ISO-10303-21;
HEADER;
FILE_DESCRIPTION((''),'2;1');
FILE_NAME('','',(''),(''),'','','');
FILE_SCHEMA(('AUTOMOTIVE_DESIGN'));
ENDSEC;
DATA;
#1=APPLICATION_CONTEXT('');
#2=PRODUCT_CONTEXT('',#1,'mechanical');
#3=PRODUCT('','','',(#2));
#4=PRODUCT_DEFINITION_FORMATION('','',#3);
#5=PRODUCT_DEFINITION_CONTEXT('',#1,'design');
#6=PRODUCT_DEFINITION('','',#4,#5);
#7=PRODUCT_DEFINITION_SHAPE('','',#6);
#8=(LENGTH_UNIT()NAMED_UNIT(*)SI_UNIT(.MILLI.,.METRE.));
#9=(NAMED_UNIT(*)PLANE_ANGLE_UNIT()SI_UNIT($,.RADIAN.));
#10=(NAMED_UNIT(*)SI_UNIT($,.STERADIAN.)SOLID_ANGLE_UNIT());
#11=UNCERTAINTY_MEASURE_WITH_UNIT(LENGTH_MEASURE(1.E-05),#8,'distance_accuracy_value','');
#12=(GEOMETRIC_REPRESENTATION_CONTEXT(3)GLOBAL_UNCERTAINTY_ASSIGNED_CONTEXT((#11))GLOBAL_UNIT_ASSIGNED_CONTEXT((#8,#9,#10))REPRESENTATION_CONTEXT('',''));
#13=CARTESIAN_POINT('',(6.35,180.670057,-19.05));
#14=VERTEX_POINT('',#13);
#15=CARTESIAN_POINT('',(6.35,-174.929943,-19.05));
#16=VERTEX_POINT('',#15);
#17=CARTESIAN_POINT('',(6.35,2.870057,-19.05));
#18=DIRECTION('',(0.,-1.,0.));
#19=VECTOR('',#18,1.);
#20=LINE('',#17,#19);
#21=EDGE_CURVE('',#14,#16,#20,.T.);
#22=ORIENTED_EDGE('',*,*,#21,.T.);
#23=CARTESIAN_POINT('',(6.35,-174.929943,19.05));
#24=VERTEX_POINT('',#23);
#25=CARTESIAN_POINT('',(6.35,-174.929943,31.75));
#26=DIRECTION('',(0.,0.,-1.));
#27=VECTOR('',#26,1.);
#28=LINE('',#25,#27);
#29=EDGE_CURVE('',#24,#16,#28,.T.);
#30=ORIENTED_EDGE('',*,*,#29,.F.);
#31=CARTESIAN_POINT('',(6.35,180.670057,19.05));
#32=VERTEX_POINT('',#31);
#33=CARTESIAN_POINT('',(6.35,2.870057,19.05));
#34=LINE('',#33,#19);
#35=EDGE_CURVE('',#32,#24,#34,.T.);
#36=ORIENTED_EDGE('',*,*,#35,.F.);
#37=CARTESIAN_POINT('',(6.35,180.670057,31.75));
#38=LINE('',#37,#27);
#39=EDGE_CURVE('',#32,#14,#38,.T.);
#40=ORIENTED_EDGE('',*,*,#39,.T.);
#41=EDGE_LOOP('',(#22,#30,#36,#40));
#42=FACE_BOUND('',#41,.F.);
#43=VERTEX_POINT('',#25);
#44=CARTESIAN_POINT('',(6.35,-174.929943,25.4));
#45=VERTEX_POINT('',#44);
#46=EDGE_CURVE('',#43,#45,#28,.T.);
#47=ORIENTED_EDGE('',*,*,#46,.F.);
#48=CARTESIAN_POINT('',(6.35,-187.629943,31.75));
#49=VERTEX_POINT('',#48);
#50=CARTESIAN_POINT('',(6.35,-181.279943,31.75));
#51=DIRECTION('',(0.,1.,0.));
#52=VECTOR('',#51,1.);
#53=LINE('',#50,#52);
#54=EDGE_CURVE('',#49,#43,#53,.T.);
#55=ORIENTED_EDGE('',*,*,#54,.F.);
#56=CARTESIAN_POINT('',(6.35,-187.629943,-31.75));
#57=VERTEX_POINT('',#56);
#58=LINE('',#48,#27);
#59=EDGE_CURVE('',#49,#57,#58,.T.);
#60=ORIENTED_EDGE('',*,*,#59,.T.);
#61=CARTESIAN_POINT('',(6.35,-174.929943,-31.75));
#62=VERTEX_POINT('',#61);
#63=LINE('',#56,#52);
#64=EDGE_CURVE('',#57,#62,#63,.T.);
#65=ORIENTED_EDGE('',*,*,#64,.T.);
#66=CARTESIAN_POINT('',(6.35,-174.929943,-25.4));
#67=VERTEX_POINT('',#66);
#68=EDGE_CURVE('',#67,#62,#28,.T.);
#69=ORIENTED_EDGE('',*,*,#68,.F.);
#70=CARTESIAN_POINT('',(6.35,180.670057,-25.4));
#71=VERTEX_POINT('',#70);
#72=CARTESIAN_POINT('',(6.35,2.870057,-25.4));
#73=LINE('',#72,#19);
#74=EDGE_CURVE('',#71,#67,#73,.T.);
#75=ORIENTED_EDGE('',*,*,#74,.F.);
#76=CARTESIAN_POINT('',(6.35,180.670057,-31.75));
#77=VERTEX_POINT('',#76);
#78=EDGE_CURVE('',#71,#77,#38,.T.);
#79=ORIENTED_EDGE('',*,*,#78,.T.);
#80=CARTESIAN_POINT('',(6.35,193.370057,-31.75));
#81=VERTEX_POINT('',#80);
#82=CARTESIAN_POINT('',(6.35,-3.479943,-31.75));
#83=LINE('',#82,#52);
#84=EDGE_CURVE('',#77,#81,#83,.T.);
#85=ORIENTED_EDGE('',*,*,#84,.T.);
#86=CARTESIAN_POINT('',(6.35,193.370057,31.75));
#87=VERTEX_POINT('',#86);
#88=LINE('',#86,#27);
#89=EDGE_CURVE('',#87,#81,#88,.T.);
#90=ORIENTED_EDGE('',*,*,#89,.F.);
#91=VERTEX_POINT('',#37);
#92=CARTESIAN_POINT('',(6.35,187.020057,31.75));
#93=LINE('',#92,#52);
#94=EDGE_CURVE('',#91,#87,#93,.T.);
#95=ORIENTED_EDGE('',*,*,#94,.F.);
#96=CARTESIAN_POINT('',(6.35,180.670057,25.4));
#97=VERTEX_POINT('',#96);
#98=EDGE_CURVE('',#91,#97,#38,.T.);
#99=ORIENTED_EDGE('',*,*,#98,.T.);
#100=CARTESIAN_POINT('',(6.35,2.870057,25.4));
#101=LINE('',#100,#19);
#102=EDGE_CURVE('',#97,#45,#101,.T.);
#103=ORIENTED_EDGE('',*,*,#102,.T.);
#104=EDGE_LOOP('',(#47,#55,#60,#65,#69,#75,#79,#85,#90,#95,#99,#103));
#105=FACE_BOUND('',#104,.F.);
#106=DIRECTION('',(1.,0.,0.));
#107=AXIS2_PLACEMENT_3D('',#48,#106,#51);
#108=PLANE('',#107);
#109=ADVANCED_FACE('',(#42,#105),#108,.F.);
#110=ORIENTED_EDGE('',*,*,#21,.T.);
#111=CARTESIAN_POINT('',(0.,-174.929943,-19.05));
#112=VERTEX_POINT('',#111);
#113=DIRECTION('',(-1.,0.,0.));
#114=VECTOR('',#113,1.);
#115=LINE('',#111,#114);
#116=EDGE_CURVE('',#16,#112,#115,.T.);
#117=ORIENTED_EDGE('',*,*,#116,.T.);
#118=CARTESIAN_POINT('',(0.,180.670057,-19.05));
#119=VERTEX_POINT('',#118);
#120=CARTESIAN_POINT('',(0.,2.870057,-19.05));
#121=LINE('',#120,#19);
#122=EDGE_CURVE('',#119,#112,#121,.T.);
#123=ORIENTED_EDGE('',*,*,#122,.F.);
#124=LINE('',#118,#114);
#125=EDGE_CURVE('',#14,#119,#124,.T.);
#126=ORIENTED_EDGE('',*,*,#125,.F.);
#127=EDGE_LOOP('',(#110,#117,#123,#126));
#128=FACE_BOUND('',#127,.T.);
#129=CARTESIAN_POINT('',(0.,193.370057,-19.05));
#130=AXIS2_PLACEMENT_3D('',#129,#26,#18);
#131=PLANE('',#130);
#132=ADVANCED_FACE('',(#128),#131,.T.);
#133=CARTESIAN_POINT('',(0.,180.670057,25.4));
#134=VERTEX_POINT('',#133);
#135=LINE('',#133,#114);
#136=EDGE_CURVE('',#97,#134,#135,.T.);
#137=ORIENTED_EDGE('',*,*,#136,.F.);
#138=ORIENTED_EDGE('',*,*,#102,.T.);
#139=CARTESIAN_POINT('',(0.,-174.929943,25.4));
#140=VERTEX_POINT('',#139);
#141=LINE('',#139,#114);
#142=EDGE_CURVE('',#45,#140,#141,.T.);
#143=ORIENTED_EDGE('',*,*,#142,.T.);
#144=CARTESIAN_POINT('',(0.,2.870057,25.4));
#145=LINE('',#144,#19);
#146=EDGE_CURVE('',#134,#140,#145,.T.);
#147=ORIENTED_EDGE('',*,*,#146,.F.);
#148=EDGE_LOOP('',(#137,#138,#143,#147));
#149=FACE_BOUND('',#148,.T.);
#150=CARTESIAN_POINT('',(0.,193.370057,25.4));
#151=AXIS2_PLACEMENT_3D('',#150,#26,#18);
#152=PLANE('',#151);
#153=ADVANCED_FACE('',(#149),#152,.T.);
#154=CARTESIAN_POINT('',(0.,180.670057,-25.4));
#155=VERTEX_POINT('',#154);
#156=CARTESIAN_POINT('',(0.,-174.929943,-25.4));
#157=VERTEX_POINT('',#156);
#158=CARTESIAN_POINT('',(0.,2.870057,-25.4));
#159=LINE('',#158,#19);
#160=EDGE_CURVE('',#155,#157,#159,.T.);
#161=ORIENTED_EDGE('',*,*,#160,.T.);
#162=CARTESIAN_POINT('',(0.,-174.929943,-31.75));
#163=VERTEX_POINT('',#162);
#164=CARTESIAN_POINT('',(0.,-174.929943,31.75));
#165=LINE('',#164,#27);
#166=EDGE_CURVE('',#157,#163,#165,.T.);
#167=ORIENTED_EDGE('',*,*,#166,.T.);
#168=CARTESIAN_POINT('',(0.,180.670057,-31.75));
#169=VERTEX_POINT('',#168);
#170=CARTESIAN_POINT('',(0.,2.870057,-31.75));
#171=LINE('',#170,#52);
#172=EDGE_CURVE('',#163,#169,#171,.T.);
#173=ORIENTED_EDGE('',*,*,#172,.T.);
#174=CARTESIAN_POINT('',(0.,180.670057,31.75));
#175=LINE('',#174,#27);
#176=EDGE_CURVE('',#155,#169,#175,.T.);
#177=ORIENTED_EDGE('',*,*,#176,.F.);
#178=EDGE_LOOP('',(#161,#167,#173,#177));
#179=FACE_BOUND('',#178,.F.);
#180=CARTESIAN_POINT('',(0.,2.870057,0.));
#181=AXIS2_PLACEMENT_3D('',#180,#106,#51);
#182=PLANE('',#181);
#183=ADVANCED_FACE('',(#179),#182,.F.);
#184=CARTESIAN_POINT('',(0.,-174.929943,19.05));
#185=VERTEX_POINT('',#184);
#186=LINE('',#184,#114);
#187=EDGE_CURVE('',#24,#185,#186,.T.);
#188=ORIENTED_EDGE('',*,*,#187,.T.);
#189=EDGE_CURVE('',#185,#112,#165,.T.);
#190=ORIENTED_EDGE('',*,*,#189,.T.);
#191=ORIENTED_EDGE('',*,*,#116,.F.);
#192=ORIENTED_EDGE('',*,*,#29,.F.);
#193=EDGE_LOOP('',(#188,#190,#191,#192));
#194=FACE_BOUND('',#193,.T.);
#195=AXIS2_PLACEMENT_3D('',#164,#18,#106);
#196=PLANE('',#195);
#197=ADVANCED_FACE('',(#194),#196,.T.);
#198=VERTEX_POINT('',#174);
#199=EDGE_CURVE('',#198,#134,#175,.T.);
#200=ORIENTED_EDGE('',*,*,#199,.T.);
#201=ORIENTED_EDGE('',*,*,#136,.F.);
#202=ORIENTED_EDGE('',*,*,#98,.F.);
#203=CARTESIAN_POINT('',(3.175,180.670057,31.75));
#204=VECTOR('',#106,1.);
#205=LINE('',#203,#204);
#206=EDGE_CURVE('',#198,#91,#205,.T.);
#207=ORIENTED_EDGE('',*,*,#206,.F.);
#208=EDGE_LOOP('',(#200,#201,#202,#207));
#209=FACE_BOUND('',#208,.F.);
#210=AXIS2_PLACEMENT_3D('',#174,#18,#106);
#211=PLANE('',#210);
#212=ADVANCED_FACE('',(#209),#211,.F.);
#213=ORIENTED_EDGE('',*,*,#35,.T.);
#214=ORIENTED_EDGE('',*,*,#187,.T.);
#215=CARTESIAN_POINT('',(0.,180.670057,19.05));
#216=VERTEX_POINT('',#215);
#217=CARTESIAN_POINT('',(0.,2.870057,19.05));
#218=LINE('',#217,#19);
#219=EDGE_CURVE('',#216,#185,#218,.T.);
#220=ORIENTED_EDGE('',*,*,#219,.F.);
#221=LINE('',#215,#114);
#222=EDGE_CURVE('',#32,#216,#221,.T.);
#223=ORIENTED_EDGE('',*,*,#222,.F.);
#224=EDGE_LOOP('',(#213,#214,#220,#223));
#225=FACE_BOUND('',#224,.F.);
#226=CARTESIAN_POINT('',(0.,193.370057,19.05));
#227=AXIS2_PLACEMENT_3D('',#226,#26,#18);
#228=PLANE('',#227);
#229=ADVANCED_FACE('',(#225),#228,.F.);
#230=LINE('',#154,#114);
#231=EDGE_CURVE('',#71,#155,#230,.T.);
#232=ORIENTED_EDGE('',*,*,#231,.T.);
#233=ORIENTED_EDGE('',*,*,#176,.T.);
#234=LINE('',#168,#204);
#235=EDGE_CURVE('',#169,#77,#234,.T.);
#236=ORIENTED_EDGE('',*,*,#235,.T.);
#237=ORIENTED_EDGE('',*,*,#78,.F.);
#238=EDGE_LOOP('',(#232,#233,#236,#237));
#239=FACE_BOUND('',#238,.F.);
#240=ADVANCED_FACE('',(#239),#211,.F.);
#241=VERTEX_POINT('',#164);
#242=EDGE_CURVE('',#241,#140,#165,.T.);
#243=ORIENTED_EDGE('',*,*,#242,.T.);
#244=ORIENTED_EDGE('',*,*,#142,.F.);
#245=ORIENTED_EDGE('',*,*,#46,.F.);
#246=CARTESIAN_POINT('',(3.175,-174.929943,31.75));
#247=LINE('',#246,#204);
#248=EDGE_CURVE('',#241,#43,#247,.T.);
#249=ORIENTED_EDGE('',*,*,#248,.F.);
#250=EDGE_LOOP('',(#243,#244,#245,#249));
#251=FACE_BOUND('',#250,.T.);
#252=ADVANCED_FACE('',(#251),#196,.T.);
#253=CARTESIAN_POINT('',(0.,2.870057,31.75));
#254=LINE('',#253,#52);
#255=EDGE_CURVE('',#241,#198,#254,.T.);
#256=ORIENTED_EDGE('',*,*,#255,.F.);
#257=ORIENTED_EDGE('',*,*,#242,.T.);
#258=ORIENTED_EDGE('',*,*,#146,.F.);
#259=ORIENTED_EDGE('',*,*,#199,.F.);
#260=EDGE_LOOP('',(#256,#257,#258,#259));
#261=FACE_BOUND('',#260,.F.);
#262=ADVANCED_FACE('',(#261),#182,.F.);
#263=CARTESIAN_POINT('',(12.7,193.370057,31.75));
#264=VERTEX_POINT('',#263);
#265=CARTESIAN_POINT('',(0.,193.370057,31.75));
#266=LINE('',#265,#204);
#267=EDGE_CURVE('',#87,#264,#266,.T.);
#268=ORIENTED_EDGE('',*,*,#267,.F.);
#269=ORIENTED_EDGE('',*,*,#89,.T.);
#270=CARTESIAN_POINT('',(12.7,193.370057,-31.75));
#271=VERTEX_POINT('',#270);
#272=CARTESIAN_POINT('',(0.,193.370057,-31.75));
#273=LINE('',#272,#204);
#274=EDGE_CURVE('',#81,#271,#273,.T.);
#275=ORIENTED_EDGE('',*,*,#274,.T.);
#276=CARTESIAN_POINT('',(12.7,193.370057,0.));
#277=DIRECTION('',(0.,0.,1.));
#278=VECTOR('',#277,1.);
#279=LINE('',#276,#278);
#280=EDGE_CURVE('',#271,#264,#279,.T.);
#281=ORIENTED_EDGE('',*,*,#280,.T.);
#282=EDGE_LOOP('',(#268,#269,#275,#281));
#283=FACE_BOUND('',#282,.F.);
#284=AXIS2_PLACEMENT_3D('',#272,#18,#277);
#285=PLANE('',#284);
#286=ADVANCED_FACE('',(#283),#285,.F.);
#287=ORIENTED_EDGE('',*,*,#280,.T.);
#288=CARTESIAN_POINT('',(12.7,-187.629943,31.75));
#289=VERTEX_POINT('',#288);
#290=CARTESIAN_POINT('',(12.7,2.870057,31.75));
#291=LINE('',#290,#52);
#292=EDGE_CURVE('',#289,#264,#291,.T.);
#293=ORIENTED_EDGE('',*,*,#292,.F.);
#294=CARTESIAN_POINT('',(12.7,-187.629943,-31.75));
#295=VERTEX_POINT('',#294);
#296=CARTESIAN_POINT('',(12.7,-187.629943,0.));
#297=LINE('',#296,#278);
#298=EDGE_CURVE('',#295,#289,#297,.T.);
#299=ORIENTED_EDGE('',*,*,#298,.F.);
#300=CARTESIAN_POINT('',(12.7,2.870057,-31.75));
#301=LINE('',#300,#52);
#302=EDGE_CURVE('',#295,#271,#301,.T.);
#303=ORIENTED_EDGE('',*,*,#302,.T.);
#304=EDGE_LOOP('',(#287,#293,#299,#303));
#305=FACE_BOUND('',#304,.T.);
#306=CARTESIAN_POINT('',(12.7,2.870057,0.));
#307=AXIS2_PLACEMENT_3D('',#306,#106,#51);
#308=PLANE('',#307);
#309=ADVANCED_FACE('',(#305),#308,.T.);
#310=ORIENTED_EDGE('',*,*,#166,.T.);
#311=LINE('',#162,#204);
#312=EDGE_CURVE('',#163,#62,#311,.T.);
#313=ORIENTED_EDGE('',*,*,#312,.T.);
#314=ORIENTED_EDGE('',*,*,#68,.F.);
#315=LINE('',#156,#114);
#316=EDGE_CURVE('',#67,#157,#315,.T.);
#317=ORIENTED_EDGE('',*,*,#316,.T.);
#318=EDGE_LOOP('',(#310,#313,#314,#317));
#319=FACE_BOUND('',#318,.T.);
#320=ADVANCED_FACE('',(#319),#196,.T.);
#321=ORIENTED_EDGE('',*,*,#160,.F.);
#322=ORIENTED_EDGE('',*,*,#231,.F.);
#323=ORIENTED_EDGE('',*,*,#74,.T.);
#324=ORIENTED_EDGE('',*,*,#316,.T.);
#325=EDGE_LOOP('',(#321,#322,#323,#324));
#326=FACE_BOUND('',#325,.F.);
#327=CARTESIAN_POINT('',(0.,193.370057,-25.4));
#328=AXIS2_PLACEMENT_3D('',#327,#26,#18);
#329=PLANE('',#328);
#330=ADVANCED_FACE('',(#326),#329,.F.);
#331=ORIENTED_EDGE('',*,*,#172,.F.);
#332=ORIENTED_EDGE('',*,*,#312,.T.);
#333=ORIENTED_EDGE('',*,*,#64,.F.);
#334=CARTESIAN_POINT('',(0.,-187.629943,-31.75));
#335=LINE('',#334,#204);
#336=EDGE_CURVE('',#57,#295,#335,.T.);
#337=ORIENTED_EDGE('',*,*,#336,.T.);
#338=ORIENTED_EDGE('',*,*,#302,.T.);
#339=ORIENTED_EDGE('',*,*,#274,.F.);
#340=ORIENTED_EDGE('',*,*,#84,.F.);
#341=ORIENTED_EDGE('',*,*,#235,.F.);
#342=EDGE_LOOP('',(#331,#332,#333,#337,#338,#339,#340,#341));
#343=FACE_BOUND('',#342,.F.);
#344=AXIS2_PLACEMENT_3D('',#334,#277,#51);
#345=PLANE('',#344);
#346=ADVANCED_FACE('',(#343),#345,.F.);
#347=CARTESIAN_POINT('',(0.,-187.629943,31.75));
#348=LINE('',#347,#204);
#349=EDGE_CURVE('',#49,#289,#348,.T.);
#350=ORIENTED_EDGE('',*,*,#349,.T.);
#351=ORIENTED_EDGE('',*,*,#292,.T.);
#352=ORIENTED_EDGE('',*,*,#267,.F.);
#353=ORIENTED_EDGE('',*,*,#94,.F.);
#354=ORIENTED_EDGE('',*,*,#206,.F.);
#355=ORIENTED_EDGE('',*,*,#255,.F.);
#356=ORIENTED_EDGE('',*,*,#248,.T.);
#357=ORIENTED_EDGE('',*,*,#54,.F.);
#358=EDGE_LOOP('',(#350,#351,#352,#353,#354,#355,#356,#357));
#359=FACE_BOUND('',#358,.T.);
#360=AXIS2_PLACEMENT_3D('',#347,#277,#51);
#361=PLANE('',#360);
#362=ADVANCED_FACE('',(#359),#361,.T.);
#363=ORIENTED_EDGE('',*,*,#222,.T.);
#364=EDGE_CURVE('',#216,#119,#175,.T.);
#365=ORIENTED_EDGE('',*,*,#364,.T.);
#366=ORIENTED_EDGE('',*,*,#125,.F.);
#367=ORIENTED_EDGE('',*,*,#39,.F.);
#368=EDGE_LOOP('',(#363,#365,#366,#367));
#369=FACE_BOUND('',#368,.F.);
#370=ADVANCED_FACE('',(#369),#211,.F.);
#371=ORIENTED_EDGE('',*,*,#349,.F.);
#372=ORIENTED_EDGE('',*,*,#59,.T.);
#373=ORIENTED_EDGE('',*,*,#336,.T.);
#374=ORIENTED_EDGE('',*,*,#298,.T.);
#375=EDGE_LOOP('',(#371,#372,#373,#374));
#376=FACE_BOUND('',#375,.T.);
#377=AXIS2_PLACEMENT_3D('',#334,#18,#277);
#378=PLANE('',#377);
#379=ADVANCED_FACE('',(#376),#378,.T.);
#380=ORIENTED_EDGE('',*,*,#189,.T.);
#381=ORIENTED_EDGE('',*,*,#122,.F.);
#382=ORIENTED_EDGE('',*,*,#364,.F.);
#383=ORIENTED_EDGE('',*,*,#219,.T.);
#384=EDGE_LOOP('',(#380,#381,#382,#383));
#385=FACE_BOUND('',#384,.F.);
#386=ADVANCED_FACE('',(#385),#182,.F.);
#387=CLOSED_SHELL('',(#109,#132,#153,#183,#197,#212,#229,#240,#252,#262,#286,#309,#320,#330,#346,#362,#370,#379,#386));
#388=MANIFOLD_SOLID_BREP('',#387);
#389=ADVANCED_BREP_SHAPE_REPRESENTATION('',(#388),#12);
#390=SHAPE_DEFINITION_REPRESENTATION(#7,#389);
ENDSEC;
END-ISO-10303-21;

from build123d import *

# Parameters (mm, degrees)
F0_W     = 381
F0_H     = 63.5
F1_DEPTH = 12.7
F2_W     = 381
F2_H     = 6.35
F3_DEPTH = 6.35
F4_W     = 6.35
F4_H     = 12.7
F5_DEPTH = 63.501


with BuildPart() as f1:
    # F0 (on Right) → F1 (new body)
    with BuildSketch(Plane.YZ):
        with Locations((2.870057, 0)):
            Rectangle(F0_W, F0_H)
    extrude(amount=F1_DEPTH)

    # F2 (on face) → F3 (cut)
    with BuildSketch(Plane(origin=(0, 0, 0), x_dir=(0, -1, 0), z_dir=(-1, 0, 0))):
        with Locations((-2.870057, 22.225)):
            Rectangle(F2_W, F2_H)
        with Locations((-2.870057, -22.225)):
            Rectangle(F2_W, F2_H)
    extrude(amount=-F3_DEPTH, mode=Mode.SUBTRACT)

    # F4 (on face) → F5 (cut, through all)
    with BuildSketch(Plane.XY.offset(31.75)):
        with Locations((3.175, 187.020057)):
            Rectangle(F4_W, F4_H)
        with Locations((3.175, -181.279943)):
            Rectangle(F4_W, F4_H)
    extrude(amount=-F5_DEPTH, mode=Mode.SUBTRACT)


solid = f1.part
